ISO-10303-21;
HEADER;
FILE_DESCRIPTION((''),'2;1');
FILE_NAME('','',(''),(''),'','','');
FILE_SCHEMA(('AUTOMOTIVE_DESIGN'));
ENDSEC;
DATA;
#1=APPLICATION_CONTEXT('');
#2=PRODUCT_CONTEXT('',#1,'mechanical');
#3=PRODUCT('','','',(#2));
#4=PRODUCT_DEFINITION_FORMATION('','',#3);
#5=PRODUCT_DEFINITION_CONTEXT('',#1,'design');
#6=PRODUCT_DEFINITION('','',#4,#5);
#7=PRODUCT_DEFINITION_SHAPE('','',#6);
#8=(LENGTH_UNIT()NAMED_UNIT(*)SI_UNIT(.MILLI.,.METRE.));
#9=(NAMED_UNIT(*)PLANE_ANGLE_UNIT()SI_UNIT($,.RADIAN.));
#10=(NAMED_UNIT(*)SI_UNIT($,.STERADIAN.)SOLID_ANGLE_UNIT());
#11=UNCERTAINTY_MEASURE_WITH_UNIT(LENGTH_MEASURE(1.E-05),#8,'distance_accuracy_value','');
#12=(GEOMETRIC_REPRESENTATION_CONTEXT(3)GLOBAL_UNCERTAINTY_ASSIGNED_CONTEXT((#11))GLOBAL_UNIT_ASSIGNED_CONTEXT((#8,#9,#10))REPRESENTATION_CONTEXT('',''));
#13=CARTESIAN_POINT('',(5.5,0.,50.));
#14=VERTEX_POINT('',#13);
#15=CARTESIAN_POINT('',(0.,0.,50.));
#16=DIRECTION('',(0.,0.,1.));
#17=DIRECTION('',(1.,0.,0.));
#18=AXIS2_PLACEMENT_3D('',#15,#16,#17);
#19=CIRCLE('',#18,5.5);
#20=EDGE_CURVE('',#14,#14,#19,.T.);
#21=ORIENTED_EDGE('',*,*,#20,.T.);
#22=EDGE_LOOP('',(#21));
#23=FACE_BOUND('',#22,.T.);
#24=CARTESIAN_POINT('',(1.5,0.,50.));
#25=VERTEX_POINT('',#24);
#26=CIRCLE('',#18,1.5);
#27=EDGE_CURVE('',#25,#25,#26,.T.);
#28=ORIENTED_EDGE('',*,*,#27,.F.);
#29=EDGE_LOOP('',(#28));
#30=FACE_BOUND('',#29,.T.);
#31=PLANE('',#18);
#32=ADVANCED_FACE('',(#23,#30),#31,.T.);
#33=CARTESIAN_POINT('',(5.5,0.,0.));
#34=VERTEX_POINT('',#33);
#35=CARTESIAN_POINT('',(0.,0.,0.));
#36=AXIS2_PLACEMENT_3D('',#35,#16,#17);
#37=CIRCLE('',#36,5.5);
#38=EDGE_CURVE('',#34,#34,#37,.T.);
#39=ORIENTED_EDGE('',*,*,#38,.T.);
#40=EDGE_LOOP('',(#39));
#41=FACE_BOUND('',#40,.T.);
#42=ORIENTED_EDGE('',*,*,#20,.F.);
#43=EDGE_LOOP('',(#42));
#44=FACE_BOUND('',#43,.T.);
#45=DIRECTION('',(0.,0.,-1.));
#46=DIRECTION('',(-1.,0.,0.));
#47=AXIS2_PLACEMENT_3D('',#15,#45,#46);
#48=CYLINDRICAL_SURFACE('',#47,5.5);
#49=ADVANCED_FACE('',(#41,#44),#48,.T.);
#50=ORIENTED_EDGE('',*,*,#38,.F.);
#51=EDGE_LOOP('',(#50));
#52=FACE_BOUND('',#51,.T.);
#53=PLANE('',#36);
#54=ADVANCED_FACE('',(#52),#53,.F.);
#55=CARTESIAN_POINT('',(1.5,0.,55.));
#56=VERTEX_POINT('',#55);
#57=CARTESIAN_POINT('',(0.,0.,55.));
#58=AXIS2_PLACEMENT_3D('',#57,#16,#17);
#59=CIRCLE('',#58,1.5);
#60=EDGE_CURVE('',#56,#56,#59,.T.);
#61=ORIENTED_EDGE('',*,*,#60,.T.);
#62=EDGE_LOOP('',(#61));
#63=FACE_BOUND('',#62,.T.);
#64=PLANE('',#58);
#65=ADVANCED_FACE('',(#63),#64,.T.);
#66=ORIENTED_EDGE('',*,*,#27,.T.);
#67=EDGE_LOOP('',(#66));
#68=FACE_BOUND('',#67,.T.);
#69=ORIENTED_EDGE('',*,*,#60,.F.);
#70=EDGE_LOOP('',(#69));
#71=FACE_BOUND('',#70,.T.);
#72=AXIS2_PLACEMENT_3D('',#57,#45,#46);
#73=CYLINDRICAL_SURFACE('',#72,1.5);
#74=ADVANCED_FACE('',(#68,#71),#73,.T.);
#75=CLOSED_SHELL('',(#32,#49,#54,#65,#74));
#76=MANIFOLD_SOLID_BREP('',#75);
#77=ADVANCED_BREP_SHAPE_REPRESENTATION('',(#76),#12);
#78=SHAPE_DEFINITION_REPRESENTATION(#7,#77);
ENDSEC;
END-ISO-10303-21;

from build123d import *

# Parameters (mm, degrees)
SKETCH1_R           = 5.5
BOSS_EXTRUDE1_DEPTH = 50
SKETCH2_R           = 1.5
BOSS_EXTRUDE2_DEPTH = 5


with BuildPart() as part:
    # Sketch1 → Boss-Extrude1 (new body)
    with BuildSketch(Plane.XY):
        Circle(SKETCH1_R)
    extrude(amount=BOSS_EXTRUDE1_DEPTH)

    # Sketch2 → Boss-Extrude2 (add)
    with BuildSketch(Plane.XY.offset(50)):
        Circle(SKETCH2_R)
    extrude(amount=BOSS_EXTRUDE2_DEPTH)


solid = part.part
